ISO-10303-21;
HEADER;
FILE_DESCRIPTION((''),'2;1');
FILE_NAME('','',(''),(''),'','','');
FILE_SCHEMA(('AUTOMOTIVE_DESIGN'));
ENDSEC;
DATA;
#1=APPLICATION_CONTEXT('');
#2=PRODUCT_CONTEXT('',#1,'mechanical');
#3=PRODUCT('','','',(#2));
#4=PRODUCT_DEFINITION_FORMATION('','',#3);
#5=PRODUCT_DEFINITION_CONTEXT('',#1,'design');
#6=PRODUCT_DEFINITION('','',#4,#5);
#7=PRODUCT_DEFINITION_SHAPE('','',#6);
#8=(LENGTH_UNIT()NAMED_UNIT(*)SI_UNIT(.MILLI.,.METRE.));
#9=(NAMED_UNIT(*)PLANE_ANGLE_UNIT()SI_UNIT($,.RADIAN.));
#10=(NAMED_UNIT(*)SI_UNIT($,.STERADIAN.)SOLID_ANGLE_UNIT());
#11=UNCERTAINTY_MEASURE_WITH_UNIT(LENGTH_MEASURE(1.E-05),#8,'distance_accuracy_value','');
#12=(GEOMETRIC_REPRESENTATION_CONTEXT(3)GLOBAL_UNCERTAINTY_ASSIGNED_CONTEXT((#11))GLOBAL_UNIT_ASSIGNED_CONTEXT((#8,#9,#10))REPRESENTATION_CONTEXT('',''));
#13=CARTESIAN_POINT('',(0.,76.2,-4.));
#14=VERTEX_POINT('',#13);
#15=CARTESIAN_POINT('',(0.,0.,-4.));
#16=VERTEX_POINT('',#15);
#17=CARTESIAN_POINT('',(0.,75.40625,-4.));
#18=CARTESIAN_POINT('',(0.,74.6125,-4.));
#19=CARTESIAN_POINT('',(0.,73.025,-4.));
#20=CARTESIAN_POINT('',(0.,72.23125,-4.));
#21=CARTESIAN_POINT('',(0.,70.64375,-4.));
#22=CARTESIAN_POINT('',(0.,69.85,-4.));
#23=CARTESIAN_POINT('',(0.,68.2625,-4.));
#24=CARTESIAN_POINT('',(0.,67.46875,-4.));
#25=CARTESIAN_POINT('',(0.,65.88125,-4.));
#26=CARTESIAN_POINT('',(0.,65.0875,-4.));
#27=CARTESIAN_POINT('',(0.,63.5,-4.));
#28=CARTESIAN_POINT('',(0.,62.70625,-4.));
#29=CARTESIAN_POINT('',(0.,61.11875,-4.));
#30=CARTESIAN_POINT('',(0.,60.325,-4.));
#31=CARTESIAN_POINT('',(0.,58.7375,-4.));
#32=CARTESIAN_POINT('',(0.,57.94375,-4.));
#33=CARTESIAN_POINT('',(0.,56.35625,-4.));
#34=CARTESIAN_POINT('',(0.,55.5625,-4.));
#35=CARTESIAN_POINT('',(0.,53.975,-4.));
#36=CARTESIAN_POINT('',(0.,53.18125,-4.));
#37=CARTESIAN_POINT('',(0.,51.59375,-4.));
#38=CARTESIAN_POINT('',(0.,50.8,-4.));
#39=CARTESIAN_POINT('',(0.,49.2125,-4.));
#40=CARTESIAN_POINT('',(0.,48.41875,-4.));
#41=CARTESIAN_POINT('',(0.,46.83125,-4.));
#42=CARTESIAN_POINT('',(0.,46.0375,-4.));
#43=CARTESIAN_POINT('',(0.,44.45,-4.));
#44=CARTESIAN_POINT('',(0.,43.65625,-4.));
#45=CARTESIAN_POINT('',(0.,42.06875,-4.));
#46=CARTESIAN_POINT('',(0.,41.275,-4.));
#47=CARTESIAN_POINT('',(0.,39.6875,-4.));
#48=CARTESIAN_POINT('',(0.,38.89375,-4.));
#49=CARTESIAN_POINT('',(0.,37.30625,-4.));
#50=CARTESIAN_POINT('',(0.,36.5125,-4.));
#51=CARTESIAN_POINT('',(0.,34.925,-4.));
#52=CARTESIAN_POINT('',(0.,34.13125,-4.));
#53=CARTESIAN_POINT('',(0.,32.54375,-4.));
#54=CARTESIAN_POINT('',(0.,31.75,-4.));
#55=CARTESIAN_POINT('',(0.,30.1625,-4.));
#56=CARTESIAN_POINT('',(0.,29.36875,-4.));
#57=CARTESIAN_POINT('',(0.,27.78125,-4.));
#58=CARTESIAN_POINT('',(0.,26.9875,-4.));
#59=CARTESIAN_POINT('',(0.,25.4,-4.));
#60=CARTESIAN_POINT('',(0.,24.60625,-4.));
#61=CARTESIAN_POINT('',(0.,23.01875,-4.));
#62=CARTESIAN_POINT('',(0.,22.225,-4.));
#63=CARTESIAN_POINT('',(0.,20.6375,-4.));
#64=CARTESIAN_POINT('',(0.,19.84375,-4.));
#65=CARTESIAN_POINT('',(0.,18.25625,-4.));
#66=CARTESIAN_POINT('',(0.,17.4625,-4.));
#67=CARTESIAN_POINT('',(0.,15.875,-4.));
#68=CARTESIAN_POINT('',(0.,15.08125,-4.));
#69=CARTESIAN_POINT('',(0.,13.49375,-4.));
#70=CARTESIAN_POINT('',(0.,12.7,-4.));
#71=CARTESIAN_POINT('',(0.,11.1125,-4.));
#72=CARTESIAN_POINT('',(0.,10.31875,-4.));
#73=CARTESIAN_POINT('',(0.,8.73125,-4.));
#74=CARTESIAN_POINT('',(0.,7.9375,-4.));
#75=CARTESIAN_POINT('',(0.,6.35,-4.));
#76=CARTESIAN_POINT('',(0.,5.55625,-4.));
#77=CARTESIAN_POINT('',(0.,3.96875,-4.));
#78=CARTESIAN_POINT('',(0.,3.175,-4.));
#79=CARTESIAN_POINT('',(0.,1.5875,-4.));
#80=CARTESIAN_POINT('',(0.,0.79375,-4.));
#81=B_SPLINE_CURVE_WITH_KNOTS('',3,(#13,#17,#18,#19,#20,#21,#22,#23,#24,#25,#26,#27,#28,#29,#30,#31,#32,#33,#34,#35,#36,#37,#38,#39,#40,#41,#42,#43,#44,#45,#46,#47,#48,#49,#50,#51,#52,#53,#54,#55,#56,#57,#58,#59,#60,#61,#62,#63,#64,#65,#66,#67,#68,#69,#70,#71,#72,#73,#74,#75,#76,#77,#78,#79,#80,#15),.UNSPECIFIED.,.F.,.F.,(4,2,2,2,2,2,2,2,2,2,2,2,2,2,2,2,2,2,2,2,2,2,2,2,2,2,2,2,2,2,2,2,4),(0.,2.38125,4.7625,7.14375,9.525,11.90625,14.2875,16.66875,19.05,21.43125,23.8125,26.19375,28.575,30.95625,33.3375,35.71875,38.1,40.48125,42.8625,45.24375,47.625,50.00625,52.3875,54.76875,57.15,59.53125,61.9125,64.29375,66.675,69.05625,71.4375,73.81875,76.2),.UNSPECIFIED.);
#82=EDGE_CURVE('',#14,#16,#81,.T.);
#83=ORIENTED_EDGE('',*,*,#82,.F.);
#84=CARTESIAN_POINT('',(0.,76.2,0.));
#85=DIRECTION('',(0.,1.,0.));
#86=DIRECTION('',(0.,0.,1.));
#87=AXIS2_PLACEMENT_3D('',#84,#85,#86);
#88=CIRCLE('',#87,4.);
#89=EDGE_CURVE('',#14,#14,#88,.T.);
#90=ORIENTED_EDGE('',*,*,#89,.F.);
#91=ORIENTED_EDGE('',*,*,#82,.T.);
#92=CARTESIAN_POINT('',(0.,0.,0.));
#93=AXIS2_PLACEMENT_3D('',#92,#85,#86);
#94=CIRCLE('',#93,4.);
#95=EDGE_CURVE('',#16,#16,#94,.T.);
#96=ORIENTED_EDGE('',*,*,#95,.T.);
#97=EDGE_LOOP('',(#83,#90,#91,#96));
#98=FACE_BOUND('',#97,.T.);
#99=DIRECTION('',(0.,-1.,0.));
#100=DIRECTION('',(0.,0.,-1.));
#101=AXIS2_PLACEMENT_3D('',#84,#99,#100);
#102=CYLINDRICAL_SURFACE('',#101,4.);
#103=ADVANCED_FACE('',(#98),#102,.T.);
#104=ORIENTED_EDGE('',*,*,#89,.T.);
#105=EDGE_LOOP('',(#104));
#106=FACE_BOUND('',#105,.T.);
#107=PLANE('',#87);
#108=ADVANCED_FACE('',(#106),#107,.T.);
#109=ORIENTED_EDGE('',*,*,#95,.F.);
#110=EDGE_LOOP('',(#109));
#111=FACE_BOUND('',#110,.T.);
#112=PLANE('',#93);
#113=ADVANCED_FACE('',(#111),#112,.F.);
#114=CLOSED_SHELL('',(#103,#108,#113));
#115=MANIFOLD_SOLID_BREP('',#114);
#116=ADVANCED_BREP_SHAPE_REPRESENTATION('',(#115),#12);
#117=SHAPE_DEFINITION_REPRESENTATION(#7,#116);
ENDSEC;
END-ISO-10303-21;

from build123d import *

# Parameters (mm, degrees)
SKETCH1_R           = 4
BOSS_EXTRUDE1_DEPTH = 76.2


with BuildPart() as part:
    # Sketch1 → Boss-Extrude1 (new body)
    with BuildSketch(Plane(origin=(0, 0, 0), x_dir=(1, 0, 0), z_dir=(0, 1, 0))):
        with Locations(Location((0, 0, 0), (0, 0, 90))):
            Circle(SKETCH1_R)
    extrude(amount=BOSS_EXTRUDE1_DEPTH)


solid = part.part
